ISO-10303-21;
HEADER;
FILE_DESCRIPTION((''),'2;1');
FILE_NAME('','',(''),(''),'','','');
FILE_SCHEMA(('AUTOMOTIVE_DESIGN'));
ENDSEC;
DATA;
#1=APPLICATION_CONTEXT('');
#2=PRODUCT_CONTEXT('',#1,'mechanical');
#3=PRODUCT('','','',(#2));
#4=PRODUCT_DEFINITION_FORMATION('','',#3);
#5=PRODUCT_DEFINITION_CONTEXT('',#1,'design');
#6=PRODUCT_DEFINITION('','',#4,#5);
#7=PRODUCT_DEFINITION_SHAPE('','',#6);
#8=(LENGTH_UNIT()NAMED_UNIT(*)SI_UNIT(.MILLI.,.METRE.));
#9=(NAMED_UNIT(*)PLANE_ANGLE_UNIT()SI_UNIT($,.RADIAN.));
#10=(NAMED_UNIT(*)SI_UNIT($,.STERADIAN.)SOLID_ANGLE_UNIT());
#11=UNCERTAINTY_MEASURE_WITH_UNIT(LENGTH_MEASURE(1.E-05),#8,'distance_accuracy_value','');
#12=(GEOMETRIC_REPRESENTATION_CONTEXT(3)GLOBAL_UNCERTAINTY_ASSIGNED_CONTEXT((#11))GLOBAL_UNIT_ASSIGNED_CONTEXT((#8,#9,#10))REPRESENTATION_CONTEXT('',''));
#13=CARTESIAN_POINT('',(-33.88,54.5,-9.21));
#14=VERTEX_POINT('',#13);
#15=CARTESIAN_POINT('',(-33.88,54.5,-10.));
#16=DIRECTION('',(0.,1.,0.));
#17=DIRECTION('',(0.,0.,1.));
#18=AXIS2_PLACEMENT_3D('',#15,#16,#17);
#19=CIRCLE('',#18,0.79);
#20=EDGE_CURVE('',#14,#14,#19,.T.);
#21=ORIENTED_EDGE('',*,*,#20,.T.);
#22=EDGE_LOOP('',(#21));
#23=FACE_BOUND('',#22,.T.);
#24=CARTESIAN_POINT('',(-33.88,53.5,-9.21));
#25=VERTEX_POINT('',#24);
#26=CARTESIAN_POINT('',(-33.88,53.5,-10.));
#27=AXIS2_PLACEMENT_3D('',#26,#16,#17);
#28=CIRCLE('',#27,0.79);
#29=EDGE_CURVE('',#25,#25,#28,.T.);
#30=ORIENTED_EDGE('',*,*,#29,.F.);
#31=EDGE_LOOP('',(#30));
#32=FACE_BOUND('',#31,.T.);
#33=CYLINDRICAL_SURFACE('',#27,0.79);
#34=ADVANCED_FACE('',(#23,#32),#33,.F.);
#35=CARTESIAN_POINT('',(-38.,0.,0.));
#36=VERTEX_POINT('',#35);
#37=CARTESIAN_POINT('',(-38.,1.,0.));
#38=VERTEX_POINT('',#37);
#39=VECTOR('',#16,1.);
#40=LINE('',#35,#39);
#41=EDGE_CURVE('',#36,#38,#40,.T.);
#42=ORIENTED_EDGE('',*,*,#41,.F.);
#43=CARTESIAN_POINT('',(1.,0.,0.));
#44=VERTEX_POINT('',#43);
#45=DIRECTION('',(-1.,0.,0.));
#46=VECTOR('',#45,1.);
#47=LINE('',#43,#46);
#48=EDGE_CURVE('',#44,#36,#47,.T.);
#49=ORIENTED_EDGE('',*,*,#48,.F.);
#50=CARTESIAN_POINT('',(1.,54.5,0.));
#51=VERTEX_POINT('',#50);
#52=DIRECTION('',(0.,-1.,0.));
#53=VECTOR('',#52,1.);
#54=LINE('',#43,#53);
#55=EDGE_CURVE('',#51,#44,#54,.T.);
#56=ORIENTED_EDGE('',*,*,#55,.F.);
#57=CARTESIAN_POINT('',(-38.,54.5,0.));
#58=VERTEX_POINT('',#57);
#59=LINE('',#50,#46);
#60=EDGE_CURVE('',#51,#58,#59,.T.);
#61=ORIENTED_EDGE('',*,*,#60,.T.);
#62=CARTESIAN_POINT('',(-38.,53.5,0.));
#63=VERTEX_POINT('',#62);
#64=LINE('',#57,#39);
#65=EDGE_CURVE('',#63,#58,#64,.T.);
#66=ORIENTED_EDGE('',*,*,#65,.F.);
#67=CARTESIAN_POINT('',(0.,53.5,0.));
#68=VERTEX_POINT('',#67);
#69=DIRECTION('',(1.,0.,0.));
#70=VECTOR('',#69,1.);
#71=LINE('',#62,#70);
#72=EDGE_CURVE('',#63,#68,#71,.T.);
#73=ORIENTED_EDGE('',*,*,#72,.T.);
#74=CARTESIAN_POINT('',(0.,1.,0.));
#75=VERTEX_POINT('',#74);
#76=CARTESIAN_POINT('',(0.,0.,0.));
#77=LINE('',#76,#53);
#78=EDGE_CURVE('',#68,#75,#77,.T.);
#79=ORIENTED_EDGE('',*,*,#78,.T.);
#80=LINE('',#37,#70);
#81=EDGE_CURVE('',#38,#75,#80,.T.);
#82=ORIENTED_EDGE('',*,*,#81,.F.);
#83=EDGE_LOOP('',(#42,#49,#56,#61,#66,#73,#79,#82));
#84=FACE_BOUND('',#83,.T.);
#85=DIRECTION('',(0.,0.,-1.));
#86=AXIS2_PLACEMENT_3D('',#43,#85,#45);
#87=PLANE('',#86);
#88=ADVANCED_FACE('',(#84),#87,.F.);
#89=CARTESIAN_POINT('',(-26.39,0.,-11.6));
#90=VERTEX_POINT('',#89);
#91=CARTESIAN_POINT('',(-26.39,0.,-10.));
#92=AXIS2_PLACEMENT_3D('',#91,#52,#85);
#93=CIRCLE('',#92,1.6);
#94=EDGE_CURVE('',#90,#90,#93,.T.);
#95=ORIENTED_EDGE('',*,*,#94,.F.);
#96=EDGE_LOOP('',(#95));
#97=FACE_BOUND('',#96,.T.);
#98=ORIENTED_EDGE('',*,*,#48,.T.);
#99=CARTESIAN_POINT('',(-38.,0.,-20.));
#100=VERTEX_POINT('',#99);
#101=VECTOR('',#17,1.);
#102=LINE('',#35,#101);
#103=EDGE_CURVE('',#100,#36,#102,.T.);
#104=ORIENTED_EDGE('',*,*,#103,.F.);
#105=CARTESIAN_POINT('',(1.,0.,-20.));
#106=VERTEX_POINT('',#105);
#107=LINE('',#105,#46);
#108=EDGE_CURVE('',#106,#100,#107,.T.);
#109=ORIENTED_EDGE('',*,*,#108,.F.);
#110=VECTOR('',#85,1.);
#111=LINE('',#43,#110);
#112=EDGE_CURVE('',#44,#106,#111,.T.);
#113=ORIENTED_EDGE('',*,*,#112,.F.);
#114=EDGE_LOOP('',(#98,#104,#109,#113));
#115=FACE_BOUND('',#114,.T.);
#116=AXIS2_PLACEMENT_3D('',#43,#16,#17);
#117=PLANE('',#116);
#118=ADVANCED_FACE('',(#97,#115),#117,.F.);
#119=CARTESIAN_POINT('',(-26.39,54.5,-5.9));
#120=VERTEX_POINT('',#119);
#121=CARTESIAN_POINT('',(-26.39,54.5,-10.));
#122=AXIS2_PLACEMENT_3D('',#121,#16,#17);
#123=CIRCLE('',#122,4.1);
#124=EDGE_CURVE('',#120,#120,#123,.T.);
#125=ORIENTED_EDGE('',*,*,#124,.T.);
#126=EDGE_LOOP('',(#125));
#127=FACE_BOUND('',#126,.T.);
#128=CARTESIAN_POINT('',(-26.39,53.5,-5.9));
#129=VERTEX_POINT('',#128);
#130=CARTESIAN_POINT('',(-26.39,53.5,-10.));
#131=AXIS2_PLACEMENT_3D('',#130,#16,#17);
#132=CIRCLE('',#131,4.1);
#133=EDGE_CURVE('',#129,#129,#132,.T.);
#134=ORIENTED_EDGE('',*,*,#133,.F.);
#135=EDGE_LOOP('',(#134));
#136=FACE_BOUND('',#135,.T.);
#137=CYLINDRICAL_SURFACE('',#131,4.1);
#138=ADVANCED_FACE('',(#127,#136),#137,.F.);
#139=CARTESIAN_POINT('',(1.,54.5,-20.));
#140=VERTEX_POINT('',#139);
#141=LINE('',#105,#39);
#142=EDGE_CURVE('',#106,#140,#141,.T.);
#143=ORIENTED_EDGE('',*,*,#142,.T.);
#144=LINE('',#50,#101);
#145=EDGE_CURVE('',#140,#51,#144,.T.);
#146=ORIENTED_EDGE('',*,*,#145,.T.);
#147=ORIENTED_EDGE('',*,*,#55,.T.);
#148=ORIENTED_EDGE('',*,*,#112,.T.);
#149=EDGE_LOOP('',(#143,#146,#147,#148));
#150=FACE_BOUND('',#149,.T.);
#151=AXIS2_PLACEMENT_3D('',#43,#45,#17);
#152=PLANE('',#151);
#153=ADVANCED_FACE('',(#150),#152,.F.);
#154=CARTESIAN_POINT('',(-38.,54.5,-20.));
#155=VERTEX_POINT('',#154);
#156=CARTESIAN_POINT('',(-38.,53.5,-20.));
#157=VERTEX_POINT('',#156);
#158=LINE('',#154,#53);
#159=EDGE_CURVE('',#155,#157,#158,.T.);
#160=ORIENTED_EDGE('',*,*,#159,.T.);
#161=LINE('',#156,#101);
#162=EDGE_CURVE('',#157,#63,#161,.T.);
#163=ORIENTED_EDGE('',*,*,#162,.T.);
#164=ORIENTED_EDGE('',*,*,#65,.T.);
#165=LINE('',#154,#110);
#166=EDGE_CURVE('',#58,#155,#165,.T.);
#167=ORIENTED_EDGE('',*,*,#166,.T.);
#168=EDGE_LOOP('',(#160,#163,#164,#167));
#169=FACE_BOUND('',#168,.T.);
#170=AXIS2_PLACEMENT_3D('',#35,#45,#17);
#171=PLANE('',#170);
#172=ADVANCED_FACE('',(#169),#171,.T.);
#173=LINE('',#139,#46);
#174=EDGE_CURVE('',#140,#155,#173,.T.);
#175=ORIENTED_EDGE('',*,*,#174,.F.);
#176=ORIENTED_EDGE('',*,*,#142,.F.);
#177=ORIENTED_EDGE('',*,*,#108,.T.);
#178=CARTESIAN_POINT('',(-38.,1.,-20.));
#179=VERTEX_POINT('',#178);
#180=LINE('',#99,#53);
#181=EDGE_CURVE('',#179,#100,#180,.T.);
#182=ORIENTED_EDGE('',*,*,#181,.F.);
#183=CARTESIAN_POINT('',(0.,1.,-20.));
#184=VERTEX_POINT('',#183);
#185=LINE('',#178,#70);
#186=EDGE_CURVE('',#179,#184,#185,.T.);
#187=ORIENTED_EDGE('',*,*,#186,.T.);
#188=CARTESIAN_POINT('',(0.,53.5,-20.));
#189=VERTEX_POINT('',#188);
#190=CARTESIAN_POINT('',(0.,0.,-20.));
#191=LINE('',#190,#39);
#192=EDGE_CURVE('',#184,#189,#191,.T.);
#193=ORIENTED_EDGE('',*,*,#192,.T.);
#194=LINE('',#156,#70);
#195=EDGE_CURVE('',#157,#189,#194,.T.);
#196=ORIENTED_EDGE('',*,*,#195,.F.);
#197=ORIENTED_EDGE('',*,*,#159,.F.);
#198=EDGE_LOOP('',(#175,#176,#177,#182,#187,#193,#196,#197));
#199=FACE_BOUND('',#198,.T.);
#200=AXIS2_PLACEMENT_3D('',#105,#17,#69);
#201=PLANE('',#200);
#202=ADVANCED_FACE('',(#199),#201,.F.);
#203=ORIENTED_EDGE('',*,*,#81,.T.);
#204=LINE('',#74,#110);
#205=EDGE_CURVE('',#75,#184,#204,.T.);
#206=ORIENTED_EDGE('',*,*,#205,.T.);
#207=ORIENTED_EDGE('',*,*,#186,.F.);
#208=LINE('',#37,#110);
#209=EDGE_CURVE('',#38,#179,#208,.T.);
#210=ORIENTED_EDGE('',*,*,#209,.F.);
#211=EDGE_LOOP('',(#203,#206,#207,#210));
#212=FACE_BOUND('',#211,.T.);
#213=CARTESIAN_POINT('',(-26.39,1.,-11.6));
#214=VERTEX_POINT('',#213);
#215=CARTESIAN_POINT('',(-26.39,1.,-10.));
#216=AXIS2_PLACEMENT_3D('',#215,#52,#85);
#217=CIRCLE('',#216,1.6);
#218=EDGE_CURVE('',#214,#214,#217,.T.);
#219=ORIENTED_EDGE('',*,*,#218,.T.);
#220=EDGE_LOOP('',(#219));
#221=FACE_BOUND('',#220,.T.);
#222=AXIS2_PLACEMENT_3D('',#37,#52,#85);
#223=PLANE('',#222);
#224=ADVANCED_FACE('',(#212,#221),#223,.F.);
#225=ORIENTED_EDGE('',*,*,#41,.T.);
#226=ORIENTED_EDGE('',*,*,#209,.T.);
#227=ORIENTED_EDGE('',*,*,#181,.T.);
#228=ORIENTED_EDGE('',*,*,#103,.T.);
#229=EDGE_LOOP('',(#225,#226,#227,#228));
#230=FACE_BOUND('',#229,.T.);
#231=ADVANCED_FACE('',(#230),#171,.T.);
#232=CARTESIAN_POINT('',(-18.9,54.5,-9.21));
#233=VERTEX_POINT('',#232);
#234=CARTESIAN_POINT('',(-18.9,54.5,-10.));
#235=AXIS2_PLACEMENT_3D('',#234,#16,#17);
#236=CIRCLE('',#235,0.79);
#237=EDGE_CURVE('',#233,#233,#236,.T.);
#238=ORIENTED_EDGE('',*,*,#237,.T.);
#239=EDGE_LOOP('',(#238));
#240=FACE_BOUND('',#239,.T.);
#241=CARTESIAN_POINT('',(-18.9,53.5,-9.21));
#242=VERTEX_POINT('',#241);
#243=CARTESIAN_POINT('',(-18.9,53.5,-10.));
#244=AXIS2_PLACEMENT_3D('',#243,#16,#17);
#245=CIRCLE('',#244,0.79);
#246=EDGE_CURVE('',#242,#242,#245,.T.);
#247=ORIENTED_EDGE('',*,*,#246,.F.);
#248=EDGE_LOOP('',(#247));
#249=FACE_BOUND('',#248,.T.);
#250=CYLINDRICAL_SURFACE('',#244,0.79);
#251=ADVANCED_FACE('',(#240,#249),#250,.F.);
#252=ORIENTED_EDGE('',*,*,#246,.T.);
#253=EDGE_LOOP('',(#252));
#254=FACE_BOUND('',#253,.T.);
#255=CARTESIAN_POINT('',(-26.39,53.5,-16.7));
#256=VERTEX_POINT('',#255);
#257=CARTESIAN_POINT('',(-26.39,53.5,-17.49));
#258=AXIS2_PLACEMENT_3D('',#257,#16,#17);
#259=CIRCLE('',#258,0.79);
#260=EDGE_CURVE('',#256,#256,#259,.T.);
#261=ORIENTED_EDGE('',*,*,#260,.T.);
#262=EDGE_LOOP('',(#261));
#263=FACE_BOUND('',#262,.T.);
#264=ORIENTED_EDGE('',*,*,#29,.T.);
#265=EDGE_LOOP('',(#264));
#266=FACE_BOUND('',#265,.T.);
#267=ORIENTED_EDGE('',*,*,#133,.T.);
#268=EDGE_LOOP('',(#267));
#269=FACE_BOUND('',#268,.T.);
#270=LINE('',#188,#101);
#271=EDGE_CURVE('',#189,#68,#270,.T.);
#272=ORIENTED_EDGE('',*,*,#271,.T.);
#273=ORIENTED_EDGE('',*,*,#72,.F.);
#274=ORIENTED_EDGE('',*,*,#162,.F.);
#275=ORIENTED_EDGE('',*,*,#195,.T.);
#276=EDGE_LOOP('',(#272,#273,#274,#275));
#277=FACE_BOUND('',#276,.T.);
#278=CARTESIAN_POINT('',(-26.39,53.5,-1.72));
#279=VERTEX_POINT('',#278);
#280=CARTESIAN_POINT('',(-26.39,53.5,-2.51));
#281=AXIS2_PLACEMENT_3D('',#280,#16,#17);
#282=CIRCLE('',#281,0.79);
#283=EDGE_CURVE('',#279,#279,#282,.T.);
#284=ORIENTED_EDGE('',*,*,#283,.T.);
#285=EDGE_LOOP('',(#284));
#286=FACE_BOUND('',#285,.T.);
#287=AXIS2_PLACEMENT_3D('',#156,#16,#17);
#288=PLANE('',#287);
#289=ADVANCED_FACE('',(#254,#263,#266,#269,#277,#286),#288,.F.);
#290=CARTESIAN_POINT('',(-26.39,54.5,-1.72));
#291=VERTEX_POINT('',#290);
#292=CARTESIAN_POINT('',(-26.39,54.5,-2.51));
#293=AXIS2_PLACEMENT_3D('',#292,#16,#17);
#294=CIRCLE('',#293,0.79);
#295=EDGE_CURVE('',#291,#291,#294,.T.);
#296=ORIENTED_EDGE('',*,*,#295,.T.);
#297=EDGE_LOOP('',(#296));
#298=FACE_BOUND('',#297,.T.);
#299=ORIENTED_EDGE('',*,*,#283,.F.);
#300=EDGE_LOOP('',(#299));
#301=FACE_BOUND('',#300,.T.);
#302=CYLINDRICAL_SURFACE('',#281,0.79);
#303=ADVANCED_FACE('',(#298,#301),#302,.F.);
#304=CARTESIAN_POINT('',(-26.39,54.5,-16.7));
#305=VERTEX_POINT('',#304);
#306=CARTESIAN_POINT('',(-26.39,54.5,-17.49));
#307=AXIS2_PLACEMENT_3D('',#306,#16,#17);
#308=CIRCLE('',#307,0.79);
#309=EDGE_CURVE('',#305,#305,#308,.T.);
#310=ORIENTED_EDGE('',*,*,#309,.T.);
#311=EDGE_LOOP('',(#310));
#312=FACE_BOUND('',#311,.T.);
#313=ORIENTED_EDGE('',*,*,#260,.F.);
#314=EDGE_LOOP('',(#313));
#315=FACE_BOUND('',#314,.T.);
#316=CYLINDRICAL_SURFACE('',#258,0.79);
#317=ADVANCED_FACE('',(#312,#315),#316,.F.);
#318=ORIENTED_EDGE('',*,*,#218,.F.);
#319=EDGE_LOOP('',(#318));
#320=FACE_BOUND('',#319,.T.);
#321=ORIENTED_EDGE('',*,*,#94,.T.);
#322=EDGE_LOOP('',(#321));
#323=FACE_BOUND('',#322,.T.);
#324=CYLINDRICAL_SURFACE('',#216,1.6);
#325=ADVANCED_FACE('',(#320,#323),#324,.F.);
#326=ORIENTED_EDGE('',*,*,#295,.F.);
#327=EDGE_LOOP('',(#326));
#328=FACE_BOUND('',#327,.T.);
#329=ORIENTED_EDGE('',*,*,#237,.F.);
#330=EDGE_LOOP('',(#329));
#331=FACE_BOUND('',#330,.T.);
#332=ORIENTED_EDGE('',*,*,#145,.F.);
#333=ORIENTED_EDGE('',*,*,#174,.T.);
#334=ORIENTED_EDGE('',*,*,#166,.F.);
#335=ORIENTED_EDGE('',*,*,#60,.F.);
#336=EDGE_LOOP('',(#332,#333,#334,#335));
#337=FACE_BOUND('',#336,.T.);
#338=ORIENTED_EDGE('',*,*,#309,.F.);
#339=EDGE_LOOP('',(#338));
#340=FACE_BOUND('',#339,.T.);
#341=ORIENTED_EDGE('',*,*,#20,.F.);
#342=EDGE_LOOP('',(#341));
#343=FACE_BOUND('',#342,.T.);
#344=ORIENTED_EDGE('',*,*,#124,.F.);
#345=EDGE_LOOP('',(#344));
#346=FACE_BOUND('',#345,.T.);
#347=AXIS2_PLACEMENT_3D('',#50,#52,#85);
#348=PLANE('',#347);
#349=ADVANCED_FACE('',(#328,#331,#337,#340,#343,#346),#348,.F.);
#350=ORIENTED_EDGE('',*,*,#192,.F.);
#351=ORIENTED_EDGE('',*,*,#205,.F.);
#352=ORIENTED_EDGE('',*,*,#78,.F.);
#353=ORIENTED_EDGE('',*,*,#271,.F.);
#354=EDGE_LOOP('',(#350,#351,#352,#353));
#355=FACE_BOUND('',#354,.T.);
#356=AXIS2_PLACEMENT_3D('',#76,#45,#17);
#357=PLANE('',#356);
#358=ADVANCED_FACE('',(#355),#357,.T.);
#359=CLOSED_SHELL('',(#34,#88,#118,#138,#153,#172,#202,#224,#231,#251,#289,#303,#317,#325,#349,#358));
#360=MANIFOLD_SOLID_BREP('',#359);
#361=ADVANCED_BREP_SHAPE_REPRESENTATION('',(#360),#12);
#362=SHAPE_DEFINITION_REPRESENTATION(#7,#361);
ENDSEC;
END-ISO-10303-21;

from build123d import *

# Parameters (mm, degrees)
SKETCH_1_W          = 20
SKETCH_1_H          = 54.5
EXTRUDE_1_DEPTH     = 1
SKETCH_2_W          = 20
SKETCH_2_H          = 1
EXTRUDE_2_DEPTH     = 38
SKETCH_3_W          = 20
SKETCH_3_H          = 1
EXTRUDE_3_DEPTH     = 38
SKETCH_4_R          = 4.1
CUT_EXTRUDE_1_DEPTH = 1
SKETCH_5_R          = 0.79
CUT_EXTRUDE_2_DEPTH = 1
SKETCH_6_R          = 0.79
CUT_EXTRUDE_3_DEPTH = 1
SKETCH_7_R          = 0.79
CUT_EXTRUDE_4_DEPTH = 1
SKETCH_8_R          = 0.79
CUT_EXTRUDE_5_DEPTH = 1
SKETCH_9_R          = 1.6
CUT_EXTRUDE_6_DEPTH = 1


with BuildPart() as part:
    # ｽｹｯﾁ1 → ﾎﾞｽ - 押し出し1 (new body)
    with BuildSketch(Plane(origin=(0, 0, 0), x_dir=(0, 0, -1), z_dir=(1, 0, 0))):
        with Locations((10, 27.25)):
            Rectangle(SKETCH_1_W, SKETCH_1_H)
    extrude(amount=EXTRUDE_1_DEPTH)

    # ｽｹｯﾁ2 → ﾎﾞｽ - 押し出し2 (add)
    with BuildSketch(Plane.ZY):
        with Locations((-10, 54)):
            Rectangle(SKETCH_2_W, SKETCH_2_H)
    extrude(amount=EXTRUDE_2_DEPTH)

    # ｽｹｯﾁ3 → ﾎﾞｽ - 押し出し3 (add)
    with BuildSketch(Plane.ZY):
        with Locations((-10, 0.5)):
            Rectangle(SKETCH_3_W, SKETCH_3_H)
    extrude(amount=EXTRUDE_3_DEPTH)

    # ｽｹｯﾁ4 → ｶｯﾄ - 押し出し1 (cut)
    with BuildSketch(Plane(origin=(0, 54.5, 0), x_dir=(1, 0, 0), z_dir=(0, 1, 0))):
        with Locations((-26.39, 10)):
            Circle(SKETCH_4_R)
    extrude(amount=-CUT_EXTRUDE_1_DEPTH, mode=Mode.SUBTRACT)

    # ｽｹｯﾁ5 → ｶｯﾄ - 押し出し2 (cut)
    with BuildSketch(Plane(origin=(0, 54.5, 0), x_dir=(1, 0, 0), z_dir=(0, 1, 0))):
        with Locations((-33.88, 10)):
            Circle(SKETCH_5_R)
    extrude(amount=-CUT_EXTRUDE_2_DEPTH, mode=Mode.SUBTRACT)

    # ｽｹｯﾁ6 → ｶｯﾄ - 押し出し3 (cut)
    with BuildSketch(Plane(origin=(0, 54.5, 0), x_dir=(1, 0, 0), z_dir=(0, 1, 0))):
        with Locations((-18.9, 10)):
            Circle(SKETCH_6_R)
    extrude(amount=-CUT_EXTRUDE_3_DEPTH, mode=Mode.SUBTRACT)

    # ｽｹｯﾁ7 → ｶｯﾄ - 押し出し4 (cut)
    with BuildSketch(Plane(origin=(0, 54.5, 0), x_dir=(1, 0, 0), z_dir=(0, 1, 0))):
        with Locations((-26.39, 2.51)):
            Circle(SKETCH_7_R)
    extrude(amount=-CUT_EXTRUDE_4_DEPTH, mode=Mode.SUBTRACT)

    # ｽｹｯﾁ8 → ｶｯﾄ - 押し出し5 (cut)
    with BuildSketch(Plane(origin=(0, 54.5, 0), x_dir=(1, 0, 0), z_dir=(0, 1, 0))):
        with Locations((-26.39, 17.49)):
            Circle(SKETCH_8_R)
    extrude(amount=-CUT_EXTRUDE_5_DEPTH, mode=Mode.SUBTRACT)

    # ｽｹｯﾁ9 → ｶｯﾄ - 押し出し6 (cut)
    with BuildSketch(Plane(origin=(0, 0, 0), x_dir=(-1, 0, 0), z_dir=(0, -1, 0))):
        with Locations((26.39, 10)):
            Circle(SKETCH_9_R)
    extrude(amount=-CUT_EXTRUDE_6_DEPTH, mode=Mode.SUBTRACT)


solid = part.part
